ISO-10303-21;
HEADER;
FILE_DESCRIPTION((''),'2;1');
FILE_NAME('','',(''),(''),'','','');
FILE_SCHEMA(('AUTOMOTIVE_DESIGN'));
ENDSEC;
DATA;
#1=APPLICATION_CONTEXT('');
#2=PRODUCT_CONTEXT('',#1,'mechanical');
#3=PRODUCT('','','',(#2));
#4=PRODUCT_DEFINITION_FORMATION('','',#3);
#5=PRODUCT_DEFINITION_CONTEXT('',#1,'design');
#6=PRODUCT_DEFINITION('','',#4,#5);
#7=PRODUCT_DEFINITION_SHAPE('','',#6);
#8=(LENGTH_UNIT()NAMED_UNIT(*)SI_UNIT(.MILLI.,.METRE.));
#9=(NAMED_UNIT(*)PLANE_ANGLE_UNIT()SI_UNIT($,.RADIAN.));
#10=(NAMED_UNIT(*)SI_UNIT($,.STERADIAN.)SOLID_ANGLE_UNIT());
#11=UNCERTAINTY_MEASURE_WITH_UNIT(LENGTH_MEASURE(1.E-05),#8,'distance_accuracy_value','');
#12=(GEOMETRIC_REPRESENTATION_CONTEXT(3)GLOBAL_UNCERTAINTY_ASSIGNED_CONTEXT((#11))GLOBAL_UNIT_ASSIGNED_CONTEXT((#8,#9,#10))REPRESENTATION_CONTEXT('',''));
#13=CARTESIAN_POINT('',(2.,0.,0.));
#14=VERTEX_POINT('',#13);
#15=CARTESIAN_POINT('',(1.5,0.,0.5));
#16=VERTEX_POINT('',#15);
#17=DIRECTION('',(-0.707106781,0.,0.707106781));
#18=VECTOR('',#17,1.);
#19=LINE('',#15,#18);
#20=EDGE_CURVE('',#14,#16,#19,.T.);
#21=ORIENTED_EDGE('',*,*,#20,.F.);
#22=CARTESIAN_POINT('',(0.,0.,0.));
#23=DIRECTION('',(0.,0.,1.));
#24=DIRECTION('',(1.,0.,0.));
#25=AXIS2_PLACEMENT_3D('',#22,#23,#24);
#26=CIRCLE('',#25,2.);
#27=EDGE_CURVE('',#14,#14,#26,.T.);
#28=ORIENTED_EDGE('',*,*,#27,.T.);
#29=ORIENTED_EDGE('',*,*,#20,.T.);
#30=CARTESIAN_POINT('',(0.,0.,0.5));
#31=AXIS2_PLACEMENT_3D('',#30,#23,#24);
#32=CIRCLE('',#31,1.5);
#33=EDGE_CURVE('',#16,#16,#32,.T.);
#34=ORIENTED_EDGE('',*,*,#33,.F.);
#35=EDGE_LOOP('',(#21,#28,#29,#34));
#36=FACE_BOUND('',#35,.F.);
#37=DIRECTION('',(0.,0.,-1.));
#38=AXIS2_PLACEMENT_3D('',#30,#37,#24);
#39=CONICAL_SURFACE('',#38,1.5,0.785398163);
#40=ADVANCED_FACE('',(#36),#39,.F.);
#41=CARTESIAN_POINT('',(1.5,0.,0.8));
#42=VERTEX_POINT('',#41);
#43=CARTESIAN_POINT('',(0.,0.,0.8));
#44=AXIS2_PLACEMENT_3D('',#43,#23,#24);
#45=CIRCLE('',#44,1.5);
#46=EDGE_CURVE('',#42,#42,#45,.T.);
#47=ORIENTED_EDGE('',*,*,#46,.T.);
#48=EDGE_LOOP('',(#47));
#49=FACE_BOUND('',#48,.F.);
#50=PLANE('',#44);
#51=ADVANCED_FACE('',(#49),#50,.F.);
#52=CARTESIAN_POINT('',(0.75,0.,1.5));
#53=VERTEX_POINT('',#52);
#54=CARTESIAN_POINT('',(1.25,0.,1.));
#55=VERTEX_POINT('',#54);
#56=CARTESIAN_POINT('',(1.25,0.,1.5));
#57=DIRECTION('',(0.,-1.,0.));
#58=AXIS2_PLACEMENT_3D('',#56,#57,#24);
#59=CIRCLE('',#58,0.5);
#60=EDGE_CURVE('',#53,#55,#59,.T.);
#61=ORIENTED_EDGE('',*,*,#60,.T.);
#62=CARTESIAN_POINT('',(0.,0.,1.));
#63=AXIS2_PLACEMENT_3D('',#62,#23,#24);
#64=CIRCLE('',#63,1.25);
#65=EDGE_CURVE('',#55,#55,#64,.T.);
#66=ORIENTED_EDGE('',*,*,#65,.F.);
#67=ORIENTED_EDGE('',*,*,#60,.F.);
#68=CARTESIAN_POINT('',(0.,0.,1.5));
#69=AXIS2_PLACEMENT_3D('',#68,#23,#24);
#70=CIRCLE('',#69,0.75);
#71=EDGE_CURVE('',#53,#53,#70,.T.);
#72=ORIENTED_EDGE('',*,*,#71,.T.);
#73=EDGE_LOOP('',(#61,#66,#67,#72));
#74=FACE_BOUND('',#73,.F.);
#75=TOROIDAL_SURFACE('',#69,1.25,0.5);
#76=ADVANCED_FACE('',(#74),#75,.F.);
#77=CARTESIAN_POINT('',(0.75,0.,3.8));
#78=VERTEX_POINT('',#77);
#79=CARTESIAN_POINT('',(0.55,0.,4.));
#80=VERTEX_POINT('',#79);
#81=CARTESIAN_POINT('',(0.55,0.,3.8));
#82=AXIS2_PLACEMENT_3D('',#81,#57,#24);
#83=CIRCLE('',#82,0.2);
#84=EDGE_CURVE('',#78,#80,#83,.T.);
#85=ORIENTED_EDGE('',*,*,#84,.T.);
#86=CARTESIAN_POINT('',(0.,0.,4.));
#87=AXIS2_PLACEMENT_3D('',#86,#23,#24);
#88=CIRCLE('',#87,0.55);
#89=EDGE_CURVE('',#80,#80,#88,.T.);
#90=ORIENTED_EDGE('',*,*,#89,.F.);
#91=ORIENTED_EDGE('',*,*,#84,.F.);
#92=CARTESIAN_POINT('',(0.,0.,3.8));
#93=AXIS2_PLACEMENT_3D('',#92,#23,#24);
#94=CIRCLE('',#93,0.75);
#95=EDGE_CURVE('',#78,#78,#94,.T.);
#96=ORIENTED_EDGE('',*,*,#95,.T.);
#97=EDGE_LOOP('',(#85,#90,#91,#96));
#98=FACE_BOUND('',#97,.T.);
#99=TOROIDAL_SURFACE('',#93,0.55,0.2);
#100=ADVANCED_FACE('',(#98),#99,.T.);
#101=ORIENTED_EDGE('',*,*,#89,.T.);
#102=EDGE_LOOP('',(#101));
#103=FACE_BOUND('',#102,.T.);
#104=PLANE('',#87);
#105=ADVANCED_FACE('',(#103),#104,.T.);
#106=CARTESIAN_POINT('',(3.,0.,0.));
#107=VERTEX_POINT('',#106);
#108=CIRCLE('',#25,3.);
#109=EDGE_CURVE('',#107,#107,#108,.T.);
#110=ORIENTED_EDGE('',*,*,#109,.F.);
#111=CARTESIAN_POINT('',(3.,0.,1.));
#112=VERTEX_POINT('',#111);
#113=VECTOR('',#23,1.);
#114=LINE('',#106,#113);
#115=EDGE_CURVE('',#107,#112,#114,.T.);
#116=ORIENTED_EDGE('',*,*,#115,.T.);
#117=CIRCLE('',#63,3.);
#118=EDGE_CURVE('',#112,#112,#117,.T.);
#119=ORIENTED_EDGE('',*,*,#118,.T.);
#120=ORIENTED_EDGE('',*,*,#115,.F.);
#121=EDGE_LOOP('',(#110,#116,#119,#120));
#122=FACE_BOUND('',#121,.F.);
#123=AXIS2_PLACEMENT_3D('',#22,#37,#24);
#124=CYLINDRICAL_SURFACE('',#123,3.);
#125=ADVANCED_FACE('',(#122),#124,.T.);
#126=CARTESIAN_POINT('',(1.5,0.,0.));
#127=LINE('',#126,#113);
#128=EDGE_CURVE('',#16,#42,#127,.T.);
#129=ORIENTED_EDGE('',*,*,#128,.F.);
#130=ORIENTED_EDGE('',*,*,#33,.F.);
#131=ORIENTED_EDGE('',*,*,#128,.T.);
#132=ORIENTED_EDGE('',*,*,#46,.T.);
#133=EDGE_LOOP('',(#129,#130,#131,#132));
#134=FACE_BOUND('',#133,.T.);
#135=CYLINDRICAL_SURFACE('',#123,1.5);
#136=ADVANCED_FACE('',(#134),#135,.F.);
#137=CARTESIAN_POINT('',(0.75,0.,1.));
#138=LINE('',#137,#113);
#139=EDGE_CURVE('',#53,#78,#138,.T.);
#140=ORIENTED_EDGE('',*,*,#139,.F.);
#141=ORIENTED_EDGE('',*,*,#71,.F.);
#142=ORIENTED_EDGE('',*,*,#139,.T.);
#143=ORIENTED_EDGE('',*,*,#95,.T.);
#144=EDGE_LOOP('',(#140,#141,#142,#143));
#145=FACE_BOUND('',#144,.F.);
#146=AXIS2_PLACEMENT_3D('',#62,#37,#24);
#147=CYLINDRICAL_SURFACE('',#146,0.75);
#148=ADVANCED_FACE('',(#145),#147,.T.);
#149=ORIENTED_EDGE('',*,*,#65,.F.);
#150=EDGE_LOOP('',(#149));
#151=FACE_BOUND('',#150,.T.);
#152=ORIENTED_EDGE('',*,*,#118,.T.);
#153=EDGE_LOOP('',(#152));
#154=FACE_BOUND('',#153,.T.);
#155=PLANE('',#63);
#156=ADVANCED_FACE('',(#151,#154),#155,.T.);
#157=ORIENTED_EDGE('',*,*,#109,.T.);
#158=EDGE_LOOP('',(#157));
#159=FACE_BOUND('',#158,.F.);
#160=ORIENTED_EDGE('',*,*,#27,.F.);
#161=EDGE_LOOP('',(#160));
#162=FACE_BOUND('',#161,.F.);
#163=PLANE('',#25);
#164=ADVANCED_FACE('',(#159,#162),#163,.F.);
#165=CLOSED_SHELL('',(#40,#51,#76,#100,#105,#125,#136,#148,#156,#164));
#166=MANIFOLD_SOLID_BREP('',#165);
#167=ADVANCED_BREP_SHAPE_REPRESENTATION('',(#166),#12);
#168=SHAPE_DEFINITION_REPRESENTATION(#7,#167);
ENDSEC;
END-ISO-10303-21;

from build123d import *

# Parameters (mm, degrees)
SKETCH_R     = 3
PAD_DEPTH    = 1
SKETCH001_R  = 0.75
PAD001_DEPTH = 3
SKETCH002_R  = 1.5
POCKET_DEPTH = 0.8
FILLET_R     = 0.2
FILLET001_R  = 0.5
CHAMFER_SIZE = 0.5


with BuildPart() as part:
    # Sketch → Pad (new body)
    with BuildSketch(Plane.XY):
        Circle(SKETCH_R)
    extrude(amount=PAD_DEPTH)

    # Sketch001 (on Face3 of Pad) → Pad001 (join)
    with BuildSketch(Plane.XY.offset(1)):
        Circle(SKETCH001_R)
    extrude(amount=PAD001_DEPTH)

    # Sketch002 → Pocket (cut)
    with BuildSketch(Plane.XY):
        Circle(SKETCH002_R)
    extrude(amount=POCKET_DEPTH, mode=Mode.SUBTRACT)

    # Fillet
    fillet_edges = [part.edges().sort_by_distance(p)[0] for p in [
        (-0.75, 0, 4),
    ]]
    fillet(fillet_edges, radius=FILLET_R)

    # Fillet001
    fillet001_edges = [part.edges().sort_by_distance(p)[0] for p in [
        (-0.75, 0, 1),
    ]]
    fillet(fillet001_edges, radius=FILLET001_R)

    # Chamfer
    chamfer_edges = [part.edges().sort_by_distance(p)[0] for p in [
        (-1.5, 0, 0),
    ]]
    chamfer(chamfer_edges, length=CHAMFER_SIZE)


solid = part.part
